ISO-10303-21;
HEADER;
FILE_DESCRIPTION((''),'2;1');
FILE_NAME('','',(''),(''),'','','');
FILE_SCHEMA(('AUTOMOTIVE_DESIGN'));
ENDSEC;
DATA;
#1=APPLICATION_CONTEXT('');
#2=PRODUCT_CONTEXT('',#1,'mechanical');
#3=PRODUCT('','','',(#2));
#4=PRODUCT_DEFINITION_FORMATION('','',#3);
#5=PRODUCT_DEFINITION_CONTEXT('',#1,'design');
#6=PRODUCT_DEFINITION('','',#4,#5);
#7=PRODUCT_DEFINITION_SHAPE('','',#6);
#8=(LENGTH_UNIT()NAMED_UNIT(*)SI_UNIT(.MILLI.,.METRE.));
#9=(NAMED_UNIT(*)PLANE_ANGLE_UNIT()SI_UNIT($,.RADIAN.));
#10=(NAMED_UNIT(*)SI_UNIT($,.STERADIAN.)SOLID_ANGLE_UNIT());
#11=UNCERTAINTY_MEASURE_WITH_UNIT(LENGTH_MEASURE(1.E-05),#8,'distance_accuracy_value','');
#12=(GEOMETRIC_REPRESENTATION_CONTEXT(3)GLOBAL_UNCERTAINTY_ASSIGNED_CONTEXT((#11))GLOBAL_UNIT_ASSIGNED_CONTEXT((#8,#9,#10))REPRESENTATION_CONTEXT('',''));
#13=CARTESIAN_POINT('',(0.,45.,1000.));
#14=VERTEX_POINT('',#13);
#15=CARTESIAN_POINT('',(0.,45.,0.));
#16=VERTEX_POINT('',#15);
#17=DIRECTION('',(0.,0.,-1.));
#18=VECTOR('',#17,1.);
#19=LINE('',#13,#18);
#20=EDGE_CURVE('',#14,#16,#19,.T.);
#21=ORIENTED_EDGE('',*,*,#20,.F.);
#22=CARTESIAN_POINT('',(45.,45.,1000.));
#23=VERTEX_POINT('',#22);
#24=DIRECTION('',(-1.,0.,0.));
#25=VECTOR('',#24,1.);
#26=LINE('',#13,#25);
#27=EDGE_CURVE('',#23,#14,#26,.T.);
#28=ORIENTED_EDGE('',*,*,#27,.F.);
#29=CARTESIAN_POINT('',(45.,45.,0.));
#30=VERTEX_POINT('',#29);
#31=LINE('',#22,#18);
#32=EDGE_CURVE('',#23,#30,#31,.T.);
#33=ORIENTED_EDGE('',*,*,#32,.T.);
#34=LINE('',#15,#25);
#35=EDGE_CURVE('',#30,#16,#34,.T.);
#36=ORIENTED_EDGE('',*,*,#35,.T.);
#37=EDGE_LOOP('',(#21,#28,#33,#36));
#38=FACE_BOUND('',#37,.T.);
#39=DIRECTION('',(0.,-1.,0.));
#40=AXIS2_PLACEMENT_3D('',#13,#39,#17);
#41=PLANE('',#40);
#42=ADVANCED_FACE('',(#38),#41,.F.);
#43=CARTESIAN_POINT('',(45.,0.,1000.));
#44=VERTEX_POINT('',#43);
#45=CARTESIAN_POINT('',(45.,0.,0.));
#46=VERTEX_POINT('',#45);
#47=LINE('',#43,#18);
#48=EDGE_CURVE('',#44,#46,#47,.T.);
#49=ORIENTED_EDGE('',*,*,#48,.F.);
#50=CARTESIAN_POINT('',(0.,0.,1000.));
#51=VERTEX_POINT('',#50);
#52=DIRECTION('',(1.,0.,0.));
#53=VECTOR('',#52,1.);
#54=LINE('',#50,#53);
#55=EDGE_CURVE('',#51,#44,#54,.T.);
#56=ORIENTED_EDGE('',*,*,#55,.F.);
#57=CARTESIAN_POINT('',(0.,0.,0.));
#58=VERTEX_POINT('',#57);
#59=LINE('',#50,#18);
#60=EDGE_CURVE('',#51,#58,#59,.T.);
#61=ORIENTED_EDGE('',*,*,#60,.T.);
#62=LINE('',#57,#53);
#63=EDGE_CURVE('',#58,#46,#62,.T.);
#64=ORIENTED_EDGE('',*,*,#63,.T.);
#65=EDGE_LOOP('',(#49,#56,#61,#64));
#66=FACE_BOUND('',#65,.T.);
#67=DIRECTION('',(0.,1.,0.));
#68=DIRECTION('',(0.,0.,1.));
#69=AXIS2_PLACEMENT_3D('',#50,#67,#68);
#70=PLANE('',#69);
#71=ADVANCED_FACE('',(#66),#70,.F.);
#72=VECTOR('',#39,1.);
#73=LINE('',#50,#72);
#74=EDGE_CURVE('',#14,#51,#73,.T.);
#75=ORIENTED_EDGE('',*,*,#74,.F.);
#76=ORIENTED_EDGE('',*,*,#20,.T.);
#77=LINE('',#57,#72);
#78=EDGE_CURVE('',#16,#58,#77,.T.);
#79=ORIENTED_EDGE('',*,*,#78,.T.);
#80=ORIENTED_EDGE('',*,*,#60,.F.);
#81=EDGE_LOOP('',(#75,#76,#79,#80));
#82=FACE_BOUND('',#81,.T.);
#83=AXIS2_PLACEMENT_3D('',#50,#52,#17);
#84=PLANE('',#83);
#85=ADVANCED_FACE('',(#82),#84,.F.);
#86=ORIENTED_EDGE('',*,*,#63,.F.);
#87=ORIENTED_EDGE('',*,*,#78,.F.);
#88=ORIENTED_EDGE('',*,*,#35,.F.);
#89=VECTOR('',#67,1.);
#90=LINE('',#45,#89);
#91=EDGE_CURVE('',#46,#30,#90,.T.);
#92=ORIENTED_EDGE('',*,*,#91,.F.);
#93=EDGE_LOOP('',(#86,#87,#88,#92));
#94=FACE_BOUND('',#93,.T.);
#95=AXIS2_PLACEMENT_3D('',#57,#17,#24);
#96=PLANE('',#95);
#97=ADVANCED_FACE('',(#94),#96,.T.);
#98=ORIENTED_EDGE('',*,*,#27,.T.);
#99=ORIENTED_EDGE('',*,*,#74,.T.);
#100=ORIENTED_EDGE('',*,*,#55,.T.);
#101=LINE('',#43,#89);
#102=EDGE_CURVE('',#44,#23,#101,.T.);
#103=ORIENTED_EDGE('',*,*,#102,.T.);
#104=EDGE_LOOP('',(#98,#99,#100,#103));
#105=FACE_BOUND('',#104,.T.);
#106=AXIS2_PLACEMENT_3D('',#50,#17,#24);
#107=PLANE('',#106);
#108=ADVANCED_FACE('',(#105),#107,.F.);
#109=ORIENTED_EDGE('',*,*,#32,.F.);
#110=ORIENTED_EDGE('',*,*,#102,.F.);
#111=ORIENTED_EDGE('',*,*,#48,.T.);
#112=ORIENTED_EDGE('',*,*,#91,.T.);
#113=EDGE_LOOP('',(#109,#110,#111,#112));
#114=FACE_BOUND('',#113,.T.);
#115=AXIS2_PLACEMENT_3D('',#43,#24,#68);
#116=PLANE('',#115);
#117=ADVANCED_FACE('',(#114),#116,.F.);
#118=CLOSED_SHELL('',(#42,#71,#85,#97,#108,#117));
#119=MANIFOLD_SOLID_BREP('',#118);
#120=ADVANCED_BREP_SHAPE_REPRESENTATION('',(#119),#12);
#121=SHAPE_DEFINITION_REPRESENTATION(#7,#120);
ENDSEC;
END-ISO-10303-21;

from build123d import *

# Parameters (mm, degrees)
SKETCH1_W           = 45
SKETCH1_H           = 45
BOSS_EXTRUDE1_DEPTH = 1000


with BuildPart() as part:
    # Sketch1 → Boss-Extrude1 (new body)
    with BuildSketch(Plane.XY):
        with Locations((22.5, 22.5)):
            Rectangle(SKETCH1_W, SKETCH1_H)
    extrude(amount=BOSS_EXTRUDE1_DEPTH)


solid = part.part
